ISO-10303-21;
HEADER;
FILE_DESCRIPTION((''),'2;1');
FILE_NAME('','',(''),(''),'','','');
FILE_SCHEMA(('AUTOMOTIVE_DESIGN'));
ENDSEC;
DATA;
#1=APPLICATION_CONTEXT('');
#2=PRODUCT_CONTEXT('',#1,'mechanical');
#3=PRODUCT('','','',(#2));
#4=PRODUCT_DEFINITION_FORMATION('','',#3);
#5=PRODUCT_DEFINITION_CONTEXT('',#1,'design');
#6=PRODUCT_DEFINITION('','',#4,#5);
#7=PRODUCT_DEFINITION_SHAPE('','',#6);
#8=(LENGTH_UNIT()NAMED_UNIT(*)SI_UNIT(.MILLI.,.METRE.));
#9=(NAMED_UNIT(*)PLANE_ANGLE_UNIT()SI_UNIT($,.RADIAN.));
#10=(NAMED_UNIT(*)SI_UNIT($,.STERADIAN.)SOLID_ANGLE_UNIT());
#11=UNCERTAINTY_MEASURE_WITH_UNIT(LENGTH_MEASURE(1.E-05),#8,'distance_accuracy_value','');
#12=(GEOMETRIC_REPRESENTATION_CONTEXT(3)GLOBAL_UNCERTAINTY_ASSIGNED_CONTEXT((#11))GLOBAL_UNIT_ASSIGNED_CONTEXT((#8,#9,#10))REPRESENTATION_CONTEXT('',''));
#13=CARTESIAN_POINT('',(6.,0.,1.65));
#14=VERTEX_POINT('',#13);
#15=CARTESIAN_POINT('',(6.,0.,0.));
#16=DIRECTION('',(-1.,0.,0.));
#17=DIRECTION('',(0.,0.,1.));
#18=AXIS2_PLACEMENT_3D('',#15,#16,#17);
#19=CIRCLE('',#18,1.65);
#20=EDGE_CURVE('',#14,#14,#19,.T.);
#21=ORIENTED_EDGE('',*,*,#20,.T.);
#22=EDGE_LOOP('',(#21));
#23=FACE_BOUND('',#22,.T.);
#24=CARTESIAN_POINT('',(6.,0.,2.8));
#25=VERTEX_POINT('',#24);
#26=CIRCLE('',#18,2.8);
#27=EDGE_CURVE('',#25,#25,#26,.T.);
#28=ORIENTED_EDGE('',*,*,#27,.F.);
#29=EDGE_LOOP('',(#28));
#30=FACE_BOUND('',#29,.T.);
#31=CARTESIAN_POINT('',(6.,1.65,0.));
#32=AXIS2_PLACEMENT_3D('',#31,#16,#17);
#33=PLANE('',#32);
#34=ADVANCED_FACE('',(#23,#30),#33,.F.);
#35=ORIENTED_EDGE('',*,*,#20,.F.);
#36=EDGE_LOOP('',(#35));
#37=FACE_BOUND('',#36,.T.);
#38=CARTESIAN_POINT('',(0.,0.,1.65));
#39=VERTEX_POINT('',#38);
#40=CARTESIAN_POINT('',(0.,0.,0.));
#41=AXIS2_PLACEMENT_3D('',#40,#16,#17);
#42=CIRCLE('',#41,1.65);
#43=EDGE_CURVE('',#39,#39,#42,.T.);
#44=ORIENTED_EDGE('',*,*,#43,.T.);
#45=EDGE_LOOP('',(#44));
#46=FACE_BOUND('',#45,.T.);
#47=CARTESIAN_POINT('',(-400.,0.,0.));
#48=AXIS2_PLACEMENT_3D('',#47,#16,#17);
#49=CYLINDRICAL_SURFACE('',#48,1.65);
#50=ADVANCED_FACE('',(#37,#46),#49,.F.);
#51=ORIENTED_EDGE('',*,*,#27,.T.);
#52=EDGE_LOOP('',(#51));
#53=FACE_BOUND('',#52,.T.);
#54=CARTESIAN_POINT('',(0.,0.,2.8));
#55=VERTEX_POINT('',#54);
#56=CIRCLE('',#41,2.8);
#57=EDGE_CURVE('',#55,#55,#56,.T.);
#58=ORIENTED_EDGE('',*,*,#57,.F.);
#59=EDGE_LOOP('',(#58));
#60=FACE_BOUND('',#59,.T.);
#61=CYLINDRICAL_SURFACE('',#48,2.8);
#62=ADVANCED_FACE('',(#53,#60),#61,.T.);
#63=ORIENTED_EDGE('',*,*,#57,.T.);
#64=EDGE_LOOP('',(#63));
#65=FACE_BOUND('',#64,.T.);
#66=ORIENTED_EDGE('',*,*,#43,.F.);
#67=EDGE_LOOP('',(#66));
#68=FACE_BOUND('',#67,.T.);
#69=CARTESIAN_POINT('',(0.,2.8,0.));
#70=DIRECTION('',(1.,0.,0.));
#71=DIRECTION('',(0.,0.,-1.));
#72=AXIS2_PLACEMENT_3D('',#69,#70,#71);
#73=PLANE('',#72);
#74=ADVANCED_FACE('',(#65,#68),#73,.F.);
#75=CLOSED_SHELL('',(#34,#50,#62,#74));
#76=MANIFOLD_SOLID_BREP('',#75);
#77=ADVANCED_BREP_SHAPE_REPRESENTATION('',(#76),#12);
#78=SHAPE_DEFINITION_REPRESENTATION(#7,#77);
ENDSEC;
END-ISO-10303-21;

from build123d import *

# Parameters (mm, degrees)
INSERT_M4_SKETCH_W = 6
INSERT_M4_SKETCH_H = 1.15


with BuildPart() as part:
    # Insert_M4 Sketch → Insert_M4 (revolve)
    with BuildSketch(Plane.XY):
        with Locations((3, 2.225)):
            Rectangle(INSERT_M4_SKETCH_W, INSERT_M4_SKETCH_H)
    revolve(axis=Axis((-400, 0, 0), (1, 0, 0)))


solid = part.part
